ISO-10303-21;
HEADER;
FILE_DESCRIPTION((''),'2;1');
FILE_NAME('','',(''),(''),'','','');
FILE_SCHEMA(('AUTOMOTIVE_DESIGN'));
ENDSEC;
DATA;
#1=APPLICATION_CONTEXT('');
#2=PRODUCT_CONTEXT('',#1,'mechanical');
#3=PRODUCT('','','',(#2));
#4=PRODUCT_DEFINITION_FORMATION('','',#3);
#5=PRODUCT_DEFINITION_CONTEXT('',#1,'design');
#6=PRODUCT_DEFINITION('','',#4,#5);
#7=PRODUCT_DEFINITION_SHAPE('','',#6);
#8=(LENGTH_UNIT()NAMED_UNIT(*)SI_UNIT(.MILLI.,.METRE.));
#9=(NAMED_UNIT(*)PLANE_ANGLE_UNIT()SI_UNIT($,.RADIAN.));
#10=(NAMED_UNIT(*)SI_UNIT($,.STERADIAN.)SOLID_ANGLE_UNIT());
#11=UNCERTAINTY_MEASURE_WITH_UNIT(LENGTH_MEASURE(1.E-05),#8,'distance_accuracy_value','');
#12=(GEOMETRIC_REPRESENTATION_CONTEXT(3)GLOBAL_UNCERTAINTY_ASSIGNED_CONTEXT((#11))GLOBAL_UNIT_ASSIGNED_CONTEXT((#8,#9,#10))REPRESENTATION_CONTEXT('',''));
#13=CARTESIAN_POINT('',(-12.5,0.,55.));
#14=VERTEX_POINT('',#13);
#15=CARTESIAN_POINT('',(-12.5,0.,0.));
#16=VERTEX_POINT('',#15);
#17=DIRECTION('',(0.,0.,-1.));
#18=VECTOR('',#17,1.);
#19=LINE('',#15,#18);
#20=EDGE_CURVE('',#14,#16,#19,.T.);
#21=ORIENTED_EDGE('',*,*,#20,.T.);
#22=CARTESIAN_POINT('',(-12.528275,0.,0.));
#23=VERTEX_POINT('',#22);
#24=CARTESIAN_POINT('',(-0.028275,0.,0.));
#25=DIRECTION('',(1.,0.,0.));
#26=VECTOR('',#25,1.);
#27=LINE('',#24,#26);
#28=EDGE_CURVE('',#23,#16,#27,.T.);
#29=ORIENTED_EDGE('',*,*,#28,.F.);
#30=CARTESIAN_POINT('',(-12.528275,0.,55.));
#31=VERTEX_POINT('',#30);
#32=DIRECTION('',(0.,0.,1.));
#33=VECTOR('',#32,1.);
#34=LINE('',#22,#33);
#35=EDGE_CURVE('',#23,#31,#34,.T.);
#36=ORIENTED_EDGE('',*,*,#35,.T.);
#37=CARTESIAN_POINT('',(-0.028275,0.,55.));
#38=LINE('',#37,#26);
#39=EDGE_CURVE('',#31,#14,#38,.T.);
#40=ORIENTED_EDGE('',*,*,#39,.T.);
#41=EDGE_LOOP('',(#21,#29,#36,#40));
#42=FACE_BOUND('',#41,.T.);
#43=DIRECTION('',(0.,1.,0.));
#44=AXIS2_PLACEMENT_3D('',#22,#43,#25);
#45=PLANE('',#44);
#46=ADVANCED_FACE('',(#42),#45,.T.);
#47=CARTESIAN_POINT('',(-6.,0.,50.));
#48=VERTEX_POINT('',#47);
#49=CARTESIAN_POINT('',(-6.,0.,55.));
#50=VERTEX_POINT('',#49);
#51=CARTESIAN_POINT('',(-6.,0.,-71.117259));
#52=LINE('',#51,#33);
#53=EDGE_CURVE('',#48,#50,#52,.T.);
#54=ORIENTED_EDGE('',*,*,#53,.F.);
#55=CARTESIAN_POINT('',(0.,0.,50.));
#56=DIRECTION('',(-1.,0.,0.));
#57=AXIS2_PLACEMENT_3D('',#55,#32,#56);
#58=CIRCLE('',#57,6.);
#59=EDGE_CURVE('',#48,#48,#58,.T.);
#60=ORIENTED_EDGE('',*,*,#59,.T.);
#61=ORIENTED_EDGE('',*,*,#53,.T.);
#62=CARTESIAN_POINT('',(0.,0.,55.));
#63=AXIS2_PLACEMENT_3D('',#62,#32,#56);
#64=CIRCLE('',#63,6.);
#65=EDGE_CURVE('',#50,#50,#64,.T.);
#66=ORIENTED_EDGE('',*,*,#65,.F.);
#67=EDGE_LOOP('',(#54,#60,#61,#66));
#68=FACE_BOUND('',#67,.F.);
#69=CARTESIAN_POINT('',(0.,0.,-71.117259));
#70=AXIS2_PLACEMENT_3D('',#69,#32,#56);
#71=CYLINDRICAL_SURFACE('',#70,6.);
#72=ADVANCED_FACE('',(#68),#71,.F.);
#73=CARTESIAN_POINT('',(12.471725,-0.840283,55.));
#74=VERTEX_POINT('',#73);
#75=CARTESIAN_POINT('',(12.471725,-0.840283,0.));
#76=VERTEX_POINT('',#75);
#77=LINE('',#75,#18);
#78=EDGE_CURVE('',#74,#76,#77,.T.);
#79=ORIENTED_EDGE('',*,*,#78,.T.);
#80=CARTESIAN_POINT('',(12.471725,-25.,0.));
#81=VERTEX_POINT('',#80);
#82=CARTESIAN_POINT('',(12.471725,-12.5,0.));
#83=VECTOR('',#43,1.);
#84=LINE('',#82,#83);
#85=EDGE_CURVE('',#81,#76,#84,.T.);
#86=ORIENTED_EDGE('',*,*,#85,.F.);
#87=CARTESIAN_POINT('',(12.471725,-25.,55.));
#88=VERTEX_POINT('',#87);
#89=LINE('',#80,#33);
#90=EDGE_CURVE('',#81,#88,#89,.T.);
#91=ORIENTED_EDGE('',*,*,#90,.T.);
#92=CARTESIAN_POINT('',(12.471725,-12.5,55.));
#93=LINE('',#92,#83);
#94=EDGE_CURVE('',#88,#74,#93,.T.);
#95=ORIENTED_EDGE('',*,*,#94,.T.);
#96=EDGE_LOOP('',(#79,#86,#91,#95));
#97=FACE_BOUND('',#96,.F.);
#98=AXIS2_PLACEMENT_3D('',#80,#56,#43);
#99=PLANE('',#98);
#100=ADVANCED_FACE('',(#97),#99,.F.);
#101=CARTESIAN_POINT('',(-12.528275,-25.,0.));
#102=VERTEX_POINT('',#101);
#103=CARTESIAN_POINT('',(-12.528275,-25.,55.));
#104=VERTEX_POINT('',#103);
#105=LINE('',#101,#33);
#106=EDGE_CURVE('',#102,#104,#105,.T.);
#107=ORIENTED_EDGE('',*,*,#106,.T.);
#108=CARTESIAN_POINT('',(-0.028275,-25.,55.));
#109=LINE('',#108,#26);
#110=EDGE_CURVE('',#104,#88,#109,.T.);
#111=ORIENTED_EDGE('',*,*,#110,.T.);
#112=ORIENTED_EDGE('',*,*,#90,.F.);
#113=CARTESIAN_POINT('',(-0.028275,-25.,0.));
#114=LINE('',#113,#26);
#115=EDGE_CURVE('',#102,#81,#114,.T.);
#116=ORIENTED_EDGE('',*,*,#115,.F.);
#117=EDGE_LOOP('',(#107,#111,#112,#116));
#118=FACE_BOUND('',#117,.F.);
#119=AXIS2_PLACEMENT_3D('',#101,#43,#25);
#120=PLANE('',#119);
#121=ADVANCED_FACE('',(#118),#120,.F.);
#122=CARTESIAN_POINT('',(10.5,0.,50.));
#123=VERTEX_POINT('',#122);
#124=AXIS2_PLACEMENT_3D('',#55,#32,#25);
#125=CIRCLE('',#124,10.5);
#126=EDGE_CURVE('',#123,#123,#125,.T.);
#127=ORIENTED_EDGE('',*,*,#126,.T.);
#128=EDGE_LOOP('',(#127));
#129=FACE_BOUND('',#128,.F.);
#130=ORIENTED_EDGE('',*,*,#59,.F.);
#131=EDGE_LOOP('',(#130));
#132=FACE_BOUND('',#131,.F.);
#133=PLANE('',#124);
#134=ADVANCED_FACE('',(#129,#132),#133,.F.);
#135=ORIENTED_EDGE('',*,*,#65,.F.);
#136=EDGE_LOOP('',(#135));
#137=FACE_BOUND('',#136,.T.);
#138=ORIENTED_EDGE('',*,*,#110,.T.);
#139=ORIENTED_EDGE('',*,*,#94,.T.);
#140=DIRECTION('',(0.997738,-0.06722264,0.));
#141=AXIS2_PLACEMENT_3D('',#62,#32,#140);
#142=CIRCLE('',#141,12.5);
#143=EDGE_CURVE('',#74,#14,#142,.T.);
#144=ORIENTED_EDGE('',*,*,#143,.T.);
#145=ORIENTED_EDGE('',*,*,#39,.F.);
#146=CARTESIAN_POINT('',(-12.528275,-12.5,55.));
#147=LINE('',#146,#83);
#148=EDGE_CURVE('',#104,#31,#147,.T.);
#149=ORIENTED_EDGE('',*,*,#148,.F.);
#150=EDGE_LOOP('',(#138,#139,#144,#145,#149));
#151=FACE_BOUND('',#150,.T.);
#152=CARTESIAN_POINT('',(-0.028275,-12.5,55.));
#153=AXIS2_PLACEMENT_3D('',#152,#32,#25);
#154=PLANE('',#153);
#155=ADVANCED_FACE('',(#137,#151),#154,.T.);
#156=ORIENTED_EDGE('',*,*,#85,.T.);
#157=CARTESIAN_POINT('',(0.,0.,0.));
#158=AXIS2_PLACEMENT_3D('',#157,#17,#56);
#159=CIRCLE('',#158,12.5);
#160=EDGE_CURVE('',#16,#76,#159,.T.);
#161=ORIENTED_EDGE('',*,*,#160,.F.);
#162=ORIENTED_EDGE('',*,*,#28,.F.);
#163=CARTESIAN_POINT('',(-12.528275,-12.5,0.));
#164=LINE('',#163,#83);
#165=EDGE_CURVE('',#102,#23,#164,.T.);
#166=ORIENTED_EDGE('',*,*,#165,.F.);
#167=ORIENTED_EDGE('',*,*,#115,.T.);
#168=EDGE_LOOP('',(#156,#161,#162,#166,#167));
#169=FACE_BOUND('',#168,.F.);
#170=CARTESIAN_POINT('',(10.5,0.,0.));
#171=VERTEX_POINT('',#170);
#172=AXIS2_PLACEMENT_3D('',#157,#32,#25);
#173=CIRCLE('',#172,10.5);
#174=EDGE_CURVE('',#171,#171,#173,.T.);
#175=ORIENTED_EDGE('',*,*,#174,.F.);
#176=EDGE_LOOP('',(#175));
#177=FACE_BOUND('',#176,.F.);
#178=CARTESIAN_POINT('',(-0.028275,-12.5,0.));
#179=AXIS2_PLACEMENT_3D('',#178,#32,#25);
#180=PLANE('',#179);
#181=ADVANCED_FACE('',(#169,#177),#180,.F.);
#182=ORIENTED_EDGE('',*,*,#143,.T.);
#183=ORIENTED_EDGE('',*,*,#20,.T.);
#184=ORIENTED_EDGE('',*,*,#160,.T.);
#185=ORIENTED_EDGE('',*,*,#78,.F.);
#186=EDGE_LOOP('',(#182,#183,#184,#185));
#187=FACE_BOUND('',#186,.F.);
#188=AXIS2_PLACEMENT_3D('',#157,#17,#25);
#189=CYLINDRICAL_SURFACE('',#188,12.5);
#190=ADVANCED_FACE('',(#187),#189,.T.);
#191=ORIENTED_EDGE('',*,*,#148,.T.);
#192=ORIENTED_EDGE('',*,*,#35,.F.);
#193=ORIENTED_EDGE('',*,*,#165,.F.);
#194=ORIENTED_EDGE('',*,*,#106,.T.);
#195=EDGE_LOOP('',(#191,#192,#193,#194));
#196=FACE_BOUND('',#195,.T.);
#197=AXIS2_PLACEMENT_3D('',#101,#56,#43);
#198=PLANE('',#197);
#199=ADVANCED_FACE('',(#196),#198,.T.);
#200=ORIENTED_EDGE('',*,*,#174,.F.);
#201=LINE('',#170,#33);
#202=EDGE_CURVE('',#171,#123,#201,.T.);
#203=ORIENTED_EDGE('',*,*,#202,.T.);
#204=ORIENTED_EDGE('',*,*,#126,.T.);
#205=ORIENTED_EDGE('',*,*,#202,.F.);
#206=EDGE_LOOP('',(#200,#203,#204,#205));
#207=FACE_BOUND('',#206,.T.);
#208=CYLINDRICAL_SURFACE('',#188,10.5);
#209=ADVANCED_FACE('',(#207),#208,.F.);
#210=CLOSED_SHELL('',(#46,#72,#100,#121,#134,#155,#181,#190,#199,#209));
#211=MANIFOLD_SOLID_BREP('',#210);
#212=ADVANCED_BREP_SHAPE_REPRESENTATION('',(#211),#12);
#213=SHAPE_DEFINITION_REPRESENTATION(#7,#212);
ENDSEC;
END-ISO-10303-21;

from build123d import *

# Parameters (mm, degrees)
F4_R     = 12.5
F0_DEPTH = 55
F1_W     = 25
F1_H     = 25
F5_DEPTH = 55
F2_D     = 12
F7_R     = 10.5
F3_DEPTH = 50


with BuildPart() as f0:
    # F4 (on Top) → F0 (new body)
    with BuildSketch(Plane.XY):
        Circle(F4_R)
    extrude(amount=F0_DEPTH)

    # F1 (on Top) → F5 (join)
    with BuildSketch(Plane.XY):
        with Locations((-0.028275, -12.5)):
            Rectangle(F1_W, F1_H)
    extrude(amount=F5_DEPTH)

    # F2 (through all)
    with Locations(Plane(origin=(0, 0, 0), x_dir=(1, 0, 0), z_dir=(0, 0, -1))):
        with Locations((0, 0)):
            Hole(F2_D / 2)

    # F7 (on Top) → F3 (cut)
    with BuildSketch(Plane.XY):
        Circle(F7_R)
    extrude(amount=F3_DEPTH, mode=Mode.SUBTRACT)


solid = f0.part
